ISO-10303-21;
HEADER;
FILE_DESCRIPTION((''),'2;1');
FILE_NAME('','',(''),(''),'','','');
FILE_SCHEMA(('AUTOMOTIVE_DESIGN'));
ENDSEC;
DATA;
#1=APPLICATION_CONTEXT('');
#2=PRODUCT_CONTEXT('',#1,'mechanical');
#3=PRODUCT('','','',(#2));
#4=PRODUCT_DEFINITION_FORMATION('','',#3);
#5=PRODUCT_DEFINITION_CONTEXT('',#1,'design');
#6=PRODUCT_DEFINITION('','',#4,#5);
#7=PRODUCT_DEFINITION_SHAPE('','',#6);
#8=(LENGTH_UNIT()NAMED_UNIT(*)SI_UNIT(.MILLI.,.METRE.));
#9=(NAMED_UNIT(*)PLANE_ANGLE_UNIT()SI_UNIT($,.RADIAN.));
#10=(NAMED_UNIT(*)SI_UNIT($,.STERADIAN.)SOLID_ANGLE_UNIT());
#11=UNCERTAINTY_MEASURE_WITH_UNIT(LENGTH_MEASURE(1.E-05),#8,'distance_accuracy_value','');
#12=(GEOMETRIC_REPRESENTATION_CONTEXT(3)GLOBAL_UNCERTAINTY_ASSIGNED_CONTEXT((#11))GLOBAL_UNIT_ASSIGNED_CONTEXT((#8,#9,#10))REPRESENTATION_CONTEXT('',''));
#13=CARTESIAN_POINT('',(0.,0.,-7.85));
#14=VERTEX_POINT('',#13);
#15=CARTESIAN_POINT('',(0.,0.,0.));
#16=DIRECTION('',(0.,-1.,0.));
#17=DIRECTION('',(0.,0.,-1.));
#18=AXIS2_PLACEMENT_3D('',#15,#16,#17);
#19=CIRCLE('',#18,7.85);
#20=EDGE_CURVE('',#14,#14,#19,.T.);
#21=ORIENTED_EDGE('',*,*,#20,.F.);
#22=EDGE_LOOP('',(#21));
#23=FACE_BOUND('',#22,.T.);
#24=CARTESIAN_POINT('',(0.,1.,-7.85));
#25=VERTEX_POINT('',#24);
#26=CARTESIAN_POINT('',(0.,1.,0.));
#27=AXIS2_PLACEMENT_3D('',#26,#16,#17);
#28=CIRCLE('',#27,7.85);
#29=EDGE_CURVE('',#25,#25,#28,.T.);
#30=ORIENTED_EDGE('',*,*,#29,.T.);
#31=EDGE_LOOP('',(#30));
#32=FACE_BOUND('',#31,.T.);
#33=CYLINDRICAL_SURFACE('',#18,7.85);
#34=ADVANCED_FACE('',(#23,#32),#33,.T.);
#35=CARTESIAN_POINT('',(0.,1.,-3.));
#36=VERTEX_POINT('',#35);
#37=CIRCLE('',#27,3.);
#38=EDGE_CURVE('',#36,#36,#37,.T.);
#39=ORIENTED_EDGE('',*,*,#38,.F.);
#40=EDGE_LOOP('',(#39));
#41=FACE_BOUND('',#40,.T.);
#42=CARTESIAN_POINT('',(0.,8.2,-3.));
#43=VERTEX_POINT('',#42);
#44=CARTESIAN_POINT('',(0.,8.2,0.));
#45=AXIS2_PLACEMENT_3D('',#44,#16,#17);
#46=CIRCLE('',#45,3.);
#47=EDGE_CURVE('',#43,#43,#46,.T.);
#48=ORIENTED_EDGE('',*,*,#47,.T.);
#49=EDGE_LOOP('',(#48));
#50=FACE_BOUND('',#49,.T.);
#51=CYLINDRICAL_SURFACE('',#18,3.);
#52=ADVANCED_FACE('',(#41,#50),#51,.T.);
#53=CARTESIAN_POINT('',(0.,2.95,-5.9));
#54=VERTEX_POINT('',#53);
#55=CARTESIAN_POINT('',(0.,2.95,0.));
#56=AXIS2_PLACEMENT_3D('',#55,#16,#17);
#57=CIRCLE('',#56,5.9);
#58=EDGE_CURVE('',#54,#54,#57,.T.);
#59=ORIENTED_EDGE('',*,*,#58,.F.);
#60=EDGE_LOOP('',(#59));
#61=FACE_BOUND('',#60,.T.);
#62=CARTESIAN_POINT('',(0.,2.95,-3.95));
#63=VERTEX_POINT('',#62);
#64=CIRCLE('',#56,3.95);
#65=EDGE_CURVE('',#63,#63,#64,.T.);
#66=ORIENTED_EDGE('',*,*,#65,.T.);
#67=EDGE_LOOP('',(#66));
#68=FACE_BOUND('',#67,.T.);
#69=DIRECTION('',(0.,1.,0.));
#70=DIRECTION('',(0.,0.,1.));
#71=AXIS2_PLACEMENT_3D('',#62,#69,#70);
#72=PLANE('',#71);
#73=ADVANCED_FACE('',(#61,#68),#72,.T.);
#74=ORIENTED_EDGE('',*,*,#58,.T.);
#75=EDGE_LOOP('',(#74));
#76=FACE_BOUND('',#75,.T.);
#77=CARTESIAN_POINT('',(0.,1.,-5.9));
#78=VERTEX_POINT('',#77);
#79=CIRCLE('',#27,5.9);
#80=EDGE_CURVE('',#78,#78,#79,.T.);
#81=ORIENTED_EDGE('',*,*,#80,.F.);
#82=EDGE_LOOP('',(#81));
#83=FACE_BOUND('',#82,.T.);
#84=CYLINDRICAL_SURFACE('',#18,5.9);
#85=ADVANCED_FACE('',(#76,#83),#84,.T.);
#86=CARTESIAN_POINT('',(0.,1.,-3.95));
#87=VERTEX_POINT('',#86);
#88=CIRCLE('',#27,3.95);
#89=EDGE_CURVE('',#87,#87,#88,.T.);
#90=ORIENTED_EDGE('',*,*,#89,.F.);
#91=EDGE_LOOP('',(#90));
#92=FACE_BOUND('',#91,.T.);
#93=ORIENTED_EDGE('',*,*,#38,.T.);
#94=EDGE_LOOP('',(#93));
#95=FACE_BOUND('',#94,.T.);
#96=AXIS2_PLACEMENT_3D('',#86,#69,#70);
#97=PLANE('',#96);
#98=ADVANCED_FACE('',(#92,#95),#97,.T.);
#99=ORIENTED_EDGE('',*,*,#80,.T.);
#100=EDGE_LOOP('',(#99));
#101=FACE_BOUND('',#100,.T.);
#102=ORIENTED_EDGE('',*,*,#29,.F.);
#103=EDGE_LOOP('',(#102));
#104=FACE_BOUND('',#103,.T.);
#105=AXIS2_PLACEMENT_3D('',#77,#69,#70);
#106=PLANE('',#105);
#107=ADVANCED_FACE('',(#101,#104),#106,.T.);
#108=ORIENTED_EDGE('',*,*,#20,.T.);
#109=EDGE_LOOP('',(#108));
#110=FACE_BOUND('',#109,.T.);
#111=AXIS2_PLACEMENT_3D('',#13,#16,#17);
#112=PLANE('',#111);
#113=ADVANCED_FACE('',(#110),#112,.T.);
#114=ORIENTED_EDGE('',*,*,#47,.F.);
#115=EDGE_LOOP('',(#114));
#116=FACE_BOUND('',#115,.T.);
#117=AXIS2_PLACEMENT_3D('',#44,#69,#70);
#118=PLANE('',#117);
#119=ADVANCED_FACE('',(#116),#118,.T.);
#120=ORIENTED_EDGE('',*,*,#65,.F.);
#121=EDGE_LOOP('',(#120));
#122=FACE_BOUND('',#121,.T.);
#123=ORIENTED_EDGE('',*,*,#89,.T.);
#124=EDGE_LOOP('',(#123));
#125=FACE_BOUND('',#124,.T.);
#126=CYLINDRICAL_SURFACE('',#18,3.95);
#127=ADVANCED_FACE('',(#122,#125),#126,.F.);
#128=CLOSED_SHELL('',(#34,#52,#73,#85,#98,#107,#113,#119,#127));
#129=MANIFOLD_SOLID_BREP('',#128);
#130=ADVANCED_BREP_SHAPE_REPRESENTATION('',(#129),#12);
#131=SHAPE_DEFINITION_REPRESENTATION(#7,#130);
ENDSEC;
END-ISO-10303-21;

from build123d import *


with BuildPart() as part:
    # Sketch2 → Revolve1 (revolve)
    with BuildSketch(Plane(origin=(0, 0, 0), x_dir=(0, 0, -1), z_dir=(1, 0, 0))):
        Polygon((0, 8.2), (3, 8.2), (3, 1), (3.95, 1), (3.95, 2.95), (5.9, 2.95), (5.9, 1), (7.85, 1), (7.85, 0), (0, 0), align=None)
    revolve(axis=Axis((0, 0, 0), (0, 1, 0)))


solid = part.part
